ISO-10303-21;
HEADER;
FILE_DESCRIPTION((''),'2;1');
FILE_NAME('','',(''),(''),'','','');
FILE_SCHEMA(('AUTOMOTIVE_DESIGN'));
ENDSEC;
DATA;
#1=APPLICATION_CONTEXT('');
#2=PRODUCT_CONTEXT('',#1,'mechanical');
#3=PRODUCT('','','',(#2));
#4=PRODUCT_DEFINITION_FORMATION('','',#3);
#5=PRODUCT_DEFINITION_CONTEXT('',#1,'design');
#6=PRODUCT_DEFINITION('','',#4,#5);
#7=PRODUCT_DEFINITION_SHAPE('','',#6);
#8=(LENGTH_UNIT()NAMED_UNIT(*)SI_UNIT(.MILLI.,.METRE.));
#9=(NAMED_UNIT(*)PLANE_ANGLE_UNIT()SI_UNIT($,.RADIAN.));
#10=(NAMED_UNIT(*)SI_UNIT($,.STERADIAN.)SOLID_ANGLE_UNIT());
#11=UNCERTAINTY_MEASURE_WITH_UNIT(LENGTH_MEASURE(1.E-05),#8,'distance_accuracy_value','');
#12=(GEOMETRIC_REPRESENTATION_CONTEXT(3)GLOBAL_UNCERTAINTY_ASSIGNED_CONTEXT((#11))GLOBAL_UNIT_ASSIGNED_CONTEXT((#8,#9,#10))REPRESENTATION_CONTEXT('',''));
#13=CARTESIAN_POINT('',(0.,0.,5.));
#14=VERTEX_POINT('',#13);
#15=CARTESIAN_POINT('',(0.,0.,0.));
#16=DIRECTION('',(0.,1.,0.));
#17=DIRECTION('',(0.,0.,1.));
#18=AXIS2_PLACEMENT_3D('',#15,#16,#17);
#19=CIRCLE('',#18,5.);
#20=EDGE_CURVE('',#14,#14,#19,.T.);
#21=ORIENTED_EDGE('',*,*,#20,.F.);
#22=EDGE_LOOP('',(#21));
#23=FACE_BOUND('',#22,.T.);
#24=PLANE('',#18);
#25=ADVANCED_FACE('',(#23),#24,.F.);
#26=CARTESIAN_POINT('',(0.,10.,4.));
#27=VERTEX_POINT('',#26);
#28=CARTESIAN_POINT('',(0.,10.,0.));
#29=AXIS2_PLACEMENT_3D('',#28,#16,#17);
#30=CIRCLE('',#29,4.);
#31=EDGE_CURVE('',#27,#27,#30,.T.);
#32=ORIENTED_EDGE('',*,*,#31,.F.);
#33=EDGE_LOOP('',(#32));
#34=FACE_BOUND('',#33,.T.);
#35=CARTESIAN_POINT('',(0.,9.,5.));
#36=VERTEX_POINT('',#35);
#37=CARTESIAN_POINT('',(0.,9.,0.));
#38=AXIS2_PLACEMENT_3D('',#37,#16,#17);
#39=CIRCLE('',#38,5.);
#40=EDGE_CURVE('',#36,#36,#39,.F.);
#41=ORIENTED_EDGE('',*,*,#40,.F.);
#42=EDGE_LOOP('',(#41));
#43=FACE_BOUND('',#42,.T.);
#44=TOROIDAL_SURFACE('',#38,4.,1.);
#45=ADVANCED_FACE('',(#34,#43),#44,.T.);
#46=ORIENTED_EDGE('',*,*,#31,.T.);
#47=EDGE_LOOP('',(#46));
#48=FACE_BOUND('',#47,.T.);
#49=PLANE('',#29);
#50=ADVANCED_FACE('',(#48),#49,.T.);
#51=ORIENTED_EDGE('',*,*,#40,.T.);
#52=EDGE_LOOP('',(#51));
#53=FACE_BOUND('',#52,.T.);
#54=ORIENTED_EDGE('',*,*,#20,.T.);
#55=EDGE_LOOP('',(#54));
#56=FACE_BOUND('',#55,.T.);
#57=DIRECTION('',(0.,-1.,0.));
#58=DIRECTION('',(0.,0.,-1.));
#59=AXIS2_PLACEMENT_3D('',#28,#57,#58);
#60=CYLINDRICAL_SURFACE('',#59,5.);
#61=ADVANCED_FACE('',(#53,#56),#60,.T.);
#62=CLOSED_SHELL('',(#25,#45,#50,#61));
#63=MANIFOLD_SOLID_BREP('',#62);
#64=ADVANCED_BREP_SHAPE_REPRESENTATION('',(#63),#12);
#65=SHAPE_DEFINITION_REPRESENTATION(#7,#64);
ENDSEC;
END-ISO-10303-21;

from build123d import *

# Parameters (mm, degrees)
SKETCH1_R           = 5
BOSS_EXTRUDE1_DEPTH = 10
FILLET1_R           = 1


with BuildPart() as part:
    # Sketch1 → Boss-Extrude1 (new body)
    with BuildSketch(Plane(origin=(0, 0, 0), x_dir=(1, 0, 0), z_dir=(0, 1, 0))):
        with Locations(Location((0, 0, 0), (0, 0, 270))):
            Circle(SKETCH1_R)
    extrude(amount=BOSS_EXTRUDE1_DEPTH)

    # Fillet1
    fillet1_edges = [part.edges().sort_by_distance(p)[0] for p in [
        (0, 10, -5),
    ]]
    fillet(fillet1_edges, radius=FILLET1_R)


solid = part.part
